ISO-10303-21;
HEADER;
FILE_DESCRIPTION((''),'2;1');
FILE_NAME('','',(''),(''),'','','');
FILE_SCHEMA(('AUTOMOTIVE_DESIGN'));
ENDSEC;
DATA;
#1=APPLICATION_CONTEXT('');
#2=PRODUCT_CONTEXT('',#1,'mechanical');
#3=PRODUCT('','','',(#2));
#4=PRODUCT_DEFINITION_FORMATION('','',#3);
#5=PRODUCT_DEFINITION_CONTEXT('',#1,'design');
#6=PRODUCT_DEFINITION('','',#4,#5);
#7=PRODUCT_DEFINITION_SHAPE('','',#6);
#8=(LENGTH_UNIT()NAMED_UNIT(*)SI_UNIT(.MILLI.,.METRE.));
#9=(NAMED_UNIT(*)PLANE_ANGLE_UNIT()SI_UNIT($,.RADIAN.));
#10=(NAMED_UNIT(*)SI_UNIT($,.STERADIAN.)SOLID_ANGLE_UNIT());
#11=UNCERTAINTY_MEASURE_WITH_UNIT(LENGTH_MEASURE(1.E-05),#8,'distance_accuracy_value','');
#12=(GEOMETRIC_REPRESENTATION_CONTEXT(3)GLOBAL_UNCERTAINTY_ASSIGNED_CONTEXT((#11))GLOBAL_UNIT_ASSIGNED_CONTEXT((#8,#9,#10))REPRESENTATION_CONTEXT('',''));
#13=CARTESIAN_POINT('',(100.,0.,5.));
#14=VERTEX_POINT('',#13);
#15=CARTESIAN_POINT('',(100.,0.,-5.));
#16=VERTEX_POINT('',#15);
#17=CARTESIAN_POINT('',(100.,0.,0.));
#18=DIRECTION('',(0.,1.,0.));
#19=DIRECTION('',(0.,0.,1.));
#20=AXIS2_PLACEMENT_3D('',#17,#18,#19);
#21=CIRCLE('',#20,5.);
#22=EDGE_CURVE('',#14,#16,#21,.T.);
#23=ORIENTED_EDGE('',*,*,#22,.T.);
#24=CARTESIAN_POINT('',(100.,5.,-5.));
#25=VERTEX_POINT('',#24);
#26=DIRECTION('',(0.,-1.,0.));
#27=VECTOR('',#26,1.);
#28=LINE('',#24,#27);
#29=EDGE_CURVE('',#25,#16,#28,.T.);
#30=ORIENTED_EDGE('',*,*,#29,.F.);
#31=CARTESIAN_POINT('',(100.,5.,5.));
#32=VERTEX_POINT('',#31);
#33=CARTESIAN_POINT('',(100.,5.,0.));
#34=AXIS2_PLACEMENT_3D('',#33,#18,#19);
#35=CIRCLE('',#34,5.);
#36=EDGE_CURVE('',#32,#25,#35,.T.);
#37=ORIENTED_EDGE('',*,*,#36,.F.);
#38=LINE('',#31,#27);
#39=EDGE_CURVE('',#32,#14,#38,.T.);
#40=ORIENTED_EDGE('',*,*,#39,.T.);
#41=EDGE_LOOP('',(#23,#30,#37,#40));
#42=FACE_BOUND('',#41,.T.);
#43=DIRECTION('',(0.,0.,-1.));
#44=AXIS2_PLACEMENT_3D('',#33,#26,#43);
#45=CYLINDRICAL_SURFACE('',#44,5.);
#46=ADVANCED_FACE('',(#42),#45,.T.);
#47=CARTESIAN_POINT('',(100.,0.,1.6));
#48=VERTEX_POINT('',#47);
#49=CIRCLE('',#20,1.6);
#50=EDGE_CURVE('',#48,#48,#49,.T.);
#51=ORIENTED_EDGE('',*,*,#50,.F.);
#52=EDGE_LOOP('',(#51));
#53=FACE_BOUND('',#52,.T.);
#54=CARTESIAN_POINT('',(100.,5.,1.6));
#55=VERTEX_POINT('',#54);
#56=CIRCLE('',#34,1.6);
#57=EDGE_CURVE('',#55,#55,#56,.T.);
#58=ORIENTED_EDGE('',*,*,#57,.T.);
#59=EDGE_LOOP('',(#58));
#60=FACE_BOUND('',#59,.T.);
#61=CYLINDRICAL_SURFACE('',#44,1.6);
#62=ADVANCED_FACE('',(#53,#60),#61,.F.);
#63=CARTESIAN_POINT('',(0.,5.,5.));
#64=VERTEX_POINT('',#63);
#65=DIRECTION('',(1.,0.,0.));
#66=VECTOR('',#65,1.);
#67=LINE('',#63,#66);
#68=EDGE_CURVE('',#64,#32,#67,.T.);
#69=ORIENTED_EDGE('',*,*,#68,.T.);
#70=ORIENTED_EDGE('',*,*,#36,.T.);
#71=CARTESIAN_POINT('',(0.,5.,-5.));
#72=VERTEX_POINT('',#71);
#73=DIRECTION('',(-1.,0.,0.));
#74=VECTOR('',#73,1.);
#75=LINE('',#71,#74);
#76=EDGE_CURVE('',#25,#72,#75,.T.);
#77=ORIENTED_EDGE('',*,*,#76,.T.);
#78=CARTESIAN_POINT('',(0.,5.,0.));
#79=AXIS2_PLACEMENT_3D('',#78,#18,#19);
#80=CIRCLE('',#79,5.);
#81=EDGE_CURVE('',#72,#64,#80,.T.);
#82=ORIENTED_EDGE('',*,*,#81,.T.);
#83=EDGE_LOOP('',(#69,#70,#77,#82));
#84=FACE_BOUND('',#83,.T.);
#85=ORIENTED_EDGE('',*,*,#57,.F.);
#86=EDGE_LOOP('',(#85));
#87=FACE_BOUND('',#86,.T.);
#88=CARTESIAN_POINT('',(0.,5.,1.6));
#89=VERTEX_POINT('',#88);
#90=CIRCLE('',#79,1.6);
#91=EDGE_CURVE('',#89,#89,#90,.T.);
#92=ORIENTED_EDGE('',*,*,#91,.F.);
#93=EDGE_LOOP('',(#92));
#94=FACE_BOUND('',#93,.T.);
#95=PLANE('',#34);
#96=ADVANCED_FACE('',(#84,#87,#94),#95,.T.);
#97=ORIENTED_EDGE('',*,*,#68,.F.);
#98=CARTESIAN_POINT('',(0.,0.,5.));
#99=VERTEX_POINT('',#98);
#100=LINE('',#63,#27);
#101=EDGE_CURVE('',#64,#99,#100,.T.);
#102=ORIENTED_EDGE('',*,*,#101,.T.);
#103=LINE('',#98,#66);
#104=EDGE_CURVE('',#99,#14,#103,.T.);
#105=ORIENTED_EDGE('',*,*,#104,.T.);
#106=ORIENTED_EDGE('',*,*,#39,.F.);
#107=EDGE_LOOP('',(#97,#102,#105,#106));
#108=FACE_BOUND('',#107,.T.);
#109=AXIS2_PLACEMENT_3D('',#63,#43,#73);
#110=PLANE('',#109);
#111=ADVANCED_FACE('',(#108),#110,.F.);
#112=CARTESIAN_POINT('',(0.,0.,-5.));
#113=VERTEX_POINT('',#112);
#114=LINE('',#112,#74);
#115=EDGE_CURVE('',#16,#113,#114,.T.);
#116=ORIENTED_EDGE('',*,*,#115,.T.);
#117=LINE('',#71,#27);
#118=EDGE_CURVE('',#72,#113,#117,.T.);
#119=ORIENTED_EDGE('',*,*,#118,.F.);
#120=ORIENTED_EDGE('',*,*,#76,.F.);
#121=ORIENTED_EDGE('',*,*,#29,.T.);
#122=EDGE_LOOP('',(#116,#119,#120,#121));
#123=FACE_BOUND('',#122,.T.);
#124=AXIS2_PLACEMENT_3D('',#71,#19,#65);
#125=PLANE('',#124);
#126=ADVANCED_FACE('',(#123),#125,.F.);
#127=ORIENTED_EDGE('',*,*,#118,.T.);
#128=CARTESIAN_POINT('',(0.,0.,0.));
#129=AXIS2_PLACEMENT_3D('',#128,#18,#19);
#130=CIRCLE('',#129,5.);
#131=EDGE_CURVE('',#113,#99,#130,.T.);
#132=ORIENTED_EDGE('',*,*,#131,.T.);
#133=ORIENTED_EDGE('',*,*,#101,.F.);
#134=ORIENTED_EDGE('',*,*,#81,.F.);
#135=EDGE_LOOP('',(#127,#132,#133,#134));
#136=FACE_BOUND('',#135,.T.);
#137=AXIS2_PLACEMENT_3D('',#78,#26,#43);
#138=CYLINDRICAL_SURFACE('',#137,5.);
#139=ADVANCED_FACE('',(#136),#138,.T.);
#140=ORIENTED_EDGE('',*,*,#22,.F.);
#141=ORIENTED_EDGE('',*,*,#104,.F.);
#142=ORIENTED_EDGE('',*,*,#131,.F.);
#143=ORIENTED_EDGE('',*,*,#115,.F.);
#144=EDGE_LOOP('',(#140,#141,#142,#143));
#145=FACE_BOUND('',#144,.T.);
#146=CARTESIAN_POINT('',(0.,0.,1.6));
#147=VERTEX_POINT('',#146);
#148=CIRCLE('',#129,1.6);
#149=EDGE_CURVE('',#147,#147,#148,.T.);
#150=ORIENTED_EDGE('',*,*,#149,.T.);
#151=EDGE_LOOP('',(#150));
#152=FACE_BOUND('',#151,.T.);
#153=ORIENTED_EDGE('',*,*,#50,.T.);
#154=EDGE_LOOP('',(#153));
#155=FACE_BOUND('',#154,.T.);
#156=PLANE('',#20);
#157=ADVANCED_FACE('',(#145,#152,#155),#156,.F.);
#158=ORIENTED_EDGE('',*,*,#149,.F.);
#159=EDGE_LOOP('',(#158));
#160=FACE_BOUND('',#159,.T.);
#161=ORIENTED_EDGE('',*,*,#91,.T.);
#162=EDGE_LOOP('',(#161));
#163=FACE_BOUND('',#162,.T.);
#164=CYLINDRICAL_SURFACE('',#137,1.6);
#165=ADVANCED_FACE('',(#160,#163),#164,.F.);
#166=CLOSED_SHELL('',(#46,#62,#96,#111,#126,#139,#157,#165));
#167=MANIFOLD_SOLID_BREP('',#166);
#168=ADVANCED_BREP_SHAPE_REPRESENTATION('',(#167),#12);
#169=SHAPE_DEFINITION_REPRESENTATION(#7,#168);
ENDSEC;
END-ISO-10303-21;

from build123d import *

# Parameters (mm, degrees)
SKETCH_1_R      = 1.6
EXTRUDE_1_DEPTH = 5


with BuildPart() as part:
    # ｽｹｯﾁ1 → ﾎﾞｽ - 押し出し1 (new body)
    with BuildSketch(Plane(origin=(0, 0, 0), x_dir=(1, 0, 0), z_dir=(0, 1, 0))):
        with BuildLine():
            Line((0, -5), (100, -5))
            ThreePointArc((100, -5), (105, 0), (100, 5))
            Line((100, 5), (0, 5))
            ThreePointArc((0, 5), (-5, 0), (0, -5))
        make_face()
        with Locations(Location((0, 0, 0), (0, 0, 270))):
            Circle(SKETCH_1_R, mode=Mode.SUBTRACT)
        with Locations(Location((100, 0, 0), (0, 0, 270))):
            Circle(SKETCH_1_R, mode=Mode.SUBTRACT)
    extrude(amount=EXTRUDE_1_DEPTH)


solid = part.part
